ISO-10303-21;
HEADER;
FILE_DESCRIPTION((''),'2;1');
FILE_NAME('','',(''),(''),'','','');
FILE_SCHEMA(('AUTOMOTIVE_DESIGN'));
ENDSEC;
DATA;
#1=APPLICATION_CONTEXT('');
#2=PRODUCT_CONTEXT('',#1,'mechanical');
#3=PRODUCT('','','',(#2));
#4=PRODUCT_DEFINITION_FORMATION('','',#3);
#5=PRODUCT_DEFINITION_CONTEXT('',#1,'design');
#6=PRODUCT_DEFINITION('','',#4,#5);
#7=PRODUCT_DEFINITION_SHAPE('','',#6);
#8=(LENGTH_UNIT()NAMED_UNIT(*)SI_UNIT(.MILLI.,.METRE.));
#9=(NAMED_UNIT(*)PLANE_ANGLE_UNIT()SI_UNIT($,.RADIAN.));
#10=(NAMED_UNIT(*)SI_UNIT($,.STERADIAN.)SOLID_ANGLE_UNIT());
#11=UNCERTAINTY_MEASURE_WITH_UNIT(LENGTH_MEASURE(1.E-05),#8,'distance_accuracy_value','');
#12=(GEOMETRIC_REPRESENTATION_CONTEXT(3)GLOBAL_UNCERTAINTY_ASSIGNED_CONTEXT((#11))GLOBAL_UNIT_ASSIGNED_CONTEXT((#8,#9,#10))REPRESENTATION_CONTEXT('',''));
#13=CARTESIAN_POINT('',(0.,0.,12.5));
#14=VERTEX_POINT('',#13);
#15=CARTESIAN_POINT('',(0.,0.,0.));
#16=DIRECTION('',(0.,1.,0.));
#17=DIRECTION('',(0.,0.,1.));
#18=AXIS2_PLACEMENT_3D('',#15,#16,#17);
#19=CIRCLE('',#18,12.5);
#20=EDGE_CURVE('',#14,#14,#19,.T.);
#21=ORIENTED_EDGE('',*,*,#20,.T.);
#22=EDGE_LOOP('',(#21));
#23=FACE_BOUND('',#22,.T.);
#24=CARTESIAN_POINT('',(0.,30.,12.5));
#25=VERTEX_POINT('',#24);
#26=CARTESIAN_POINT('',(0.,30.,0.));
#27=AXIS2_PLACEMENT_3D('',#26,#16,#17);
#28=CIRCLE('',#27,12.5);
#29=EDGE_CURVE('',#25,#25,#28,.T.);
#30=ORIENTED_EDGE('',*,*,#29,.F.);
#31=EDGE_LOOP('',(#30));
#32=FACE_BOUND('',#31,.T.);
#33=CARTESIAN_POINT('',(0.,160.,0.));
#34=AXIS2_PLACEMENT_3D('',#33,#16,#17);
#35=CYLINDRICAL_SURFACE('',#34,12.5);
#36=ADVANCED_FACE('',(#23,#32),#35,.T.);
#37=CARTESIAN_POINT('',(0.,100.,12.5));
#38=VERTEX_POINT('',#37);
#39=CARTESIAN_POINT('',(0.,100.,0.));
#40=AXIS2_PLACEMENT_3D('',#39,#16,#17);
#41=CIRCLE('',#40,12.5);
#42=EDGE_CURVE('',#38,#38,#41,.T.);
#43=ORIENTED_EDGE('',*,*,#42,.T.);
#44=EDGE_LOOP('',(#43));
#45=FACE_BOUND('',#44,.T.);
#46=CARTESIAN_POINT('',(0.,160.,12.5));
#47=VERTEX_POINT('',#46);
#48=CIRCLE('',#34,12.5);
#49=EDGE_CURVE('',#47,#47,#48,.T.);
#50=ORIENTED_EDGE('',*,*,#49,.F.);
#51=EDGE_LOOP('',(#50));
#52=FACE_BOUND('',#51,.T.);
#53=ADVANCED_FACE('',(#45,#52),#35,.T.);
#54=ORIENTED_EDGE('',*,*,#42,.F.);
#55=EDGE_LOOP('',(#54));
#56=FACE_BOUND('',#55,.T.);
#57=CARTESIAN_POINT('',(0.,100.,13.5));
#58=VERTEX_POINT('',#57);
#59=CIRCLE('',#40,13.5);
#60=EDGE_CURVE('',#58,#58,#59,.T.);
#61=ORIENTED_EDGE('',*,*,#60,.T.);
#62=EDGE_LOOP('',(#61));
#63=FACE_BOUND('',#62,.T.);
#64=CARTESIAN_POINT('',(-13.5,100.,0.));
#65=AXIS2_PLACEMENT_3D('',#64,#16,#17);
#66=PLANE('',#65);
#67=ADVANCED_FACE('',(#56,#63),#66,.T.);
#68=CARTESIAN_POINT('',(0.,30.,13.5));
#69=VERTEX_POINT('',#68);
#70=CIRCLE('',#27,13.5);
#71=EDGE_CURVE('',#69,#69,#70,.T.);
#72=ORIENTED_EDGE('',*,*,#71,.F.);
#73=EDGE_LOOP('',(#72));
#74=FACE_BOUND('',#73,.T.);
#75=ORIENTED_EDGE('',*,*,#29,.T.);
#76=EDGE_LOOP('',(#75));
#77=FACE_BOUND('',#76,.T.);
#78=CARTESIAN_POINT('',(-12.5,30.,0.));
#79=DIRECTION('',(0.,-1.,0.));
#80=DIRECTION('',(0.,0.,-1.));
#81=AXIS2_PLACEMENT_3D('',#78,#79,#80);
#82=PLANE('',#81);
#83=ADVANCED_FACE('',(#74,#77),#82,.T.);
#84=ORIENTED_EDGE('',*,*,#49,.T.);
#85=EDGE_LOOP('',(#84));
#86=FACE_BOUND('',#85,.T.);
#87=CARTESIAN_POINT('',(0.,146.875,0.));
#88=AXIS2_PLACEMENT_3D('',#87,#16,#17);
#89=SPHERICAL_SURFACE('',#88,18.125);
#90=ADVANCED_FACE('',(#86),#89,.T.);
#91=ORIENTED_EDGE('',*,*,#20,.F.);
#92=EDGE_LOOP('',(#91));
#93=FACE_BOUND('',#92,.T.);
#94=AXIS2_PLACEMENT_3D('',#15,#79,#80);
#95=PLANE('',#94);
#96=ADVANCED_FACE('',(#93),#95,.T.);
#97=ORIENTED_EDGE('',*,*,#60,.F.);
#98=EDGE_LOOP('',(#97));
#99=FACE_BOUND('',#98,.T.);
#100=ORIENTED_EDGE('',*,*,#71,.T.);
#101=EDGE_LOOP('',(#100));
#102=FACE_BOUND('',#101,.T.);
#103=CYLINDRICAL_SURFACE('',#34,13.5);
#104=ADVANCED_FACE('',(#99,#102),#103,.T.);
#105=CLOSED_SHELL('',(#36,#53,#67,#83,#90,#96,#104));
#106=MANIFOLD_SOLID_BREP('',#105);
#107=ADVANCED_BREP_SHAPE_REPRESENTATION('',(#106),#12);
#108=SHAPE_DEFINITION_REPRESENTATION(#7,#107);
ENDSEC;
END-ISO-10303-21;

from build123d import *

# Parameters (mm, degrees)
DOME1_FACE_RADIUS = 12.5
DOME1_HEIGHT      = 5


with BuildPart() as part:
    # Sketch1 → Revolve2 (revolve)
    with BuildSketch(Plane.XY, mode=Mode.PRIVATE) as revolve2_sk:
        Polygon((0, 0), (-12.5, 0), (-12.5, 30), (-13.5, 30), (-13.5, 100), (-12.5, 100), (-12.5, 160), (0, 160), align=None)
    revolve(revolve2_sk.sketch.rotate(Axis((0, 160, 0), (0, -1, 0)), 270), axis=Axis((0, 160, 0), (0, -1, 0)))

    # Dome1: a dome of height H over a round flat face of radius A is a cap of a sphere of radius (A * A + H * H) / (2 * H)
    dome1_r = (DOME1_FACE_RADIUS * DOME1_FACE_RADIUS + DOME1_HEIGHT * DOME1_HEIGHT) / (2 * DOME1_HEIGHT)
    dome1_base = Plane((0, 160, 0), z_dir=(0, 1, 0))
    with Locations(dome1_base.offset(DOME1_HEIGHT - dome1_r)):
        dome1_ball = Sphere(dome1_r, mode=Mode.PRIVATE)
    add(split(dome1_ball, bisect_by=dome1_base, keep=Keep.TOP, mode=Mode.PRIVATE))


solid = part.part
